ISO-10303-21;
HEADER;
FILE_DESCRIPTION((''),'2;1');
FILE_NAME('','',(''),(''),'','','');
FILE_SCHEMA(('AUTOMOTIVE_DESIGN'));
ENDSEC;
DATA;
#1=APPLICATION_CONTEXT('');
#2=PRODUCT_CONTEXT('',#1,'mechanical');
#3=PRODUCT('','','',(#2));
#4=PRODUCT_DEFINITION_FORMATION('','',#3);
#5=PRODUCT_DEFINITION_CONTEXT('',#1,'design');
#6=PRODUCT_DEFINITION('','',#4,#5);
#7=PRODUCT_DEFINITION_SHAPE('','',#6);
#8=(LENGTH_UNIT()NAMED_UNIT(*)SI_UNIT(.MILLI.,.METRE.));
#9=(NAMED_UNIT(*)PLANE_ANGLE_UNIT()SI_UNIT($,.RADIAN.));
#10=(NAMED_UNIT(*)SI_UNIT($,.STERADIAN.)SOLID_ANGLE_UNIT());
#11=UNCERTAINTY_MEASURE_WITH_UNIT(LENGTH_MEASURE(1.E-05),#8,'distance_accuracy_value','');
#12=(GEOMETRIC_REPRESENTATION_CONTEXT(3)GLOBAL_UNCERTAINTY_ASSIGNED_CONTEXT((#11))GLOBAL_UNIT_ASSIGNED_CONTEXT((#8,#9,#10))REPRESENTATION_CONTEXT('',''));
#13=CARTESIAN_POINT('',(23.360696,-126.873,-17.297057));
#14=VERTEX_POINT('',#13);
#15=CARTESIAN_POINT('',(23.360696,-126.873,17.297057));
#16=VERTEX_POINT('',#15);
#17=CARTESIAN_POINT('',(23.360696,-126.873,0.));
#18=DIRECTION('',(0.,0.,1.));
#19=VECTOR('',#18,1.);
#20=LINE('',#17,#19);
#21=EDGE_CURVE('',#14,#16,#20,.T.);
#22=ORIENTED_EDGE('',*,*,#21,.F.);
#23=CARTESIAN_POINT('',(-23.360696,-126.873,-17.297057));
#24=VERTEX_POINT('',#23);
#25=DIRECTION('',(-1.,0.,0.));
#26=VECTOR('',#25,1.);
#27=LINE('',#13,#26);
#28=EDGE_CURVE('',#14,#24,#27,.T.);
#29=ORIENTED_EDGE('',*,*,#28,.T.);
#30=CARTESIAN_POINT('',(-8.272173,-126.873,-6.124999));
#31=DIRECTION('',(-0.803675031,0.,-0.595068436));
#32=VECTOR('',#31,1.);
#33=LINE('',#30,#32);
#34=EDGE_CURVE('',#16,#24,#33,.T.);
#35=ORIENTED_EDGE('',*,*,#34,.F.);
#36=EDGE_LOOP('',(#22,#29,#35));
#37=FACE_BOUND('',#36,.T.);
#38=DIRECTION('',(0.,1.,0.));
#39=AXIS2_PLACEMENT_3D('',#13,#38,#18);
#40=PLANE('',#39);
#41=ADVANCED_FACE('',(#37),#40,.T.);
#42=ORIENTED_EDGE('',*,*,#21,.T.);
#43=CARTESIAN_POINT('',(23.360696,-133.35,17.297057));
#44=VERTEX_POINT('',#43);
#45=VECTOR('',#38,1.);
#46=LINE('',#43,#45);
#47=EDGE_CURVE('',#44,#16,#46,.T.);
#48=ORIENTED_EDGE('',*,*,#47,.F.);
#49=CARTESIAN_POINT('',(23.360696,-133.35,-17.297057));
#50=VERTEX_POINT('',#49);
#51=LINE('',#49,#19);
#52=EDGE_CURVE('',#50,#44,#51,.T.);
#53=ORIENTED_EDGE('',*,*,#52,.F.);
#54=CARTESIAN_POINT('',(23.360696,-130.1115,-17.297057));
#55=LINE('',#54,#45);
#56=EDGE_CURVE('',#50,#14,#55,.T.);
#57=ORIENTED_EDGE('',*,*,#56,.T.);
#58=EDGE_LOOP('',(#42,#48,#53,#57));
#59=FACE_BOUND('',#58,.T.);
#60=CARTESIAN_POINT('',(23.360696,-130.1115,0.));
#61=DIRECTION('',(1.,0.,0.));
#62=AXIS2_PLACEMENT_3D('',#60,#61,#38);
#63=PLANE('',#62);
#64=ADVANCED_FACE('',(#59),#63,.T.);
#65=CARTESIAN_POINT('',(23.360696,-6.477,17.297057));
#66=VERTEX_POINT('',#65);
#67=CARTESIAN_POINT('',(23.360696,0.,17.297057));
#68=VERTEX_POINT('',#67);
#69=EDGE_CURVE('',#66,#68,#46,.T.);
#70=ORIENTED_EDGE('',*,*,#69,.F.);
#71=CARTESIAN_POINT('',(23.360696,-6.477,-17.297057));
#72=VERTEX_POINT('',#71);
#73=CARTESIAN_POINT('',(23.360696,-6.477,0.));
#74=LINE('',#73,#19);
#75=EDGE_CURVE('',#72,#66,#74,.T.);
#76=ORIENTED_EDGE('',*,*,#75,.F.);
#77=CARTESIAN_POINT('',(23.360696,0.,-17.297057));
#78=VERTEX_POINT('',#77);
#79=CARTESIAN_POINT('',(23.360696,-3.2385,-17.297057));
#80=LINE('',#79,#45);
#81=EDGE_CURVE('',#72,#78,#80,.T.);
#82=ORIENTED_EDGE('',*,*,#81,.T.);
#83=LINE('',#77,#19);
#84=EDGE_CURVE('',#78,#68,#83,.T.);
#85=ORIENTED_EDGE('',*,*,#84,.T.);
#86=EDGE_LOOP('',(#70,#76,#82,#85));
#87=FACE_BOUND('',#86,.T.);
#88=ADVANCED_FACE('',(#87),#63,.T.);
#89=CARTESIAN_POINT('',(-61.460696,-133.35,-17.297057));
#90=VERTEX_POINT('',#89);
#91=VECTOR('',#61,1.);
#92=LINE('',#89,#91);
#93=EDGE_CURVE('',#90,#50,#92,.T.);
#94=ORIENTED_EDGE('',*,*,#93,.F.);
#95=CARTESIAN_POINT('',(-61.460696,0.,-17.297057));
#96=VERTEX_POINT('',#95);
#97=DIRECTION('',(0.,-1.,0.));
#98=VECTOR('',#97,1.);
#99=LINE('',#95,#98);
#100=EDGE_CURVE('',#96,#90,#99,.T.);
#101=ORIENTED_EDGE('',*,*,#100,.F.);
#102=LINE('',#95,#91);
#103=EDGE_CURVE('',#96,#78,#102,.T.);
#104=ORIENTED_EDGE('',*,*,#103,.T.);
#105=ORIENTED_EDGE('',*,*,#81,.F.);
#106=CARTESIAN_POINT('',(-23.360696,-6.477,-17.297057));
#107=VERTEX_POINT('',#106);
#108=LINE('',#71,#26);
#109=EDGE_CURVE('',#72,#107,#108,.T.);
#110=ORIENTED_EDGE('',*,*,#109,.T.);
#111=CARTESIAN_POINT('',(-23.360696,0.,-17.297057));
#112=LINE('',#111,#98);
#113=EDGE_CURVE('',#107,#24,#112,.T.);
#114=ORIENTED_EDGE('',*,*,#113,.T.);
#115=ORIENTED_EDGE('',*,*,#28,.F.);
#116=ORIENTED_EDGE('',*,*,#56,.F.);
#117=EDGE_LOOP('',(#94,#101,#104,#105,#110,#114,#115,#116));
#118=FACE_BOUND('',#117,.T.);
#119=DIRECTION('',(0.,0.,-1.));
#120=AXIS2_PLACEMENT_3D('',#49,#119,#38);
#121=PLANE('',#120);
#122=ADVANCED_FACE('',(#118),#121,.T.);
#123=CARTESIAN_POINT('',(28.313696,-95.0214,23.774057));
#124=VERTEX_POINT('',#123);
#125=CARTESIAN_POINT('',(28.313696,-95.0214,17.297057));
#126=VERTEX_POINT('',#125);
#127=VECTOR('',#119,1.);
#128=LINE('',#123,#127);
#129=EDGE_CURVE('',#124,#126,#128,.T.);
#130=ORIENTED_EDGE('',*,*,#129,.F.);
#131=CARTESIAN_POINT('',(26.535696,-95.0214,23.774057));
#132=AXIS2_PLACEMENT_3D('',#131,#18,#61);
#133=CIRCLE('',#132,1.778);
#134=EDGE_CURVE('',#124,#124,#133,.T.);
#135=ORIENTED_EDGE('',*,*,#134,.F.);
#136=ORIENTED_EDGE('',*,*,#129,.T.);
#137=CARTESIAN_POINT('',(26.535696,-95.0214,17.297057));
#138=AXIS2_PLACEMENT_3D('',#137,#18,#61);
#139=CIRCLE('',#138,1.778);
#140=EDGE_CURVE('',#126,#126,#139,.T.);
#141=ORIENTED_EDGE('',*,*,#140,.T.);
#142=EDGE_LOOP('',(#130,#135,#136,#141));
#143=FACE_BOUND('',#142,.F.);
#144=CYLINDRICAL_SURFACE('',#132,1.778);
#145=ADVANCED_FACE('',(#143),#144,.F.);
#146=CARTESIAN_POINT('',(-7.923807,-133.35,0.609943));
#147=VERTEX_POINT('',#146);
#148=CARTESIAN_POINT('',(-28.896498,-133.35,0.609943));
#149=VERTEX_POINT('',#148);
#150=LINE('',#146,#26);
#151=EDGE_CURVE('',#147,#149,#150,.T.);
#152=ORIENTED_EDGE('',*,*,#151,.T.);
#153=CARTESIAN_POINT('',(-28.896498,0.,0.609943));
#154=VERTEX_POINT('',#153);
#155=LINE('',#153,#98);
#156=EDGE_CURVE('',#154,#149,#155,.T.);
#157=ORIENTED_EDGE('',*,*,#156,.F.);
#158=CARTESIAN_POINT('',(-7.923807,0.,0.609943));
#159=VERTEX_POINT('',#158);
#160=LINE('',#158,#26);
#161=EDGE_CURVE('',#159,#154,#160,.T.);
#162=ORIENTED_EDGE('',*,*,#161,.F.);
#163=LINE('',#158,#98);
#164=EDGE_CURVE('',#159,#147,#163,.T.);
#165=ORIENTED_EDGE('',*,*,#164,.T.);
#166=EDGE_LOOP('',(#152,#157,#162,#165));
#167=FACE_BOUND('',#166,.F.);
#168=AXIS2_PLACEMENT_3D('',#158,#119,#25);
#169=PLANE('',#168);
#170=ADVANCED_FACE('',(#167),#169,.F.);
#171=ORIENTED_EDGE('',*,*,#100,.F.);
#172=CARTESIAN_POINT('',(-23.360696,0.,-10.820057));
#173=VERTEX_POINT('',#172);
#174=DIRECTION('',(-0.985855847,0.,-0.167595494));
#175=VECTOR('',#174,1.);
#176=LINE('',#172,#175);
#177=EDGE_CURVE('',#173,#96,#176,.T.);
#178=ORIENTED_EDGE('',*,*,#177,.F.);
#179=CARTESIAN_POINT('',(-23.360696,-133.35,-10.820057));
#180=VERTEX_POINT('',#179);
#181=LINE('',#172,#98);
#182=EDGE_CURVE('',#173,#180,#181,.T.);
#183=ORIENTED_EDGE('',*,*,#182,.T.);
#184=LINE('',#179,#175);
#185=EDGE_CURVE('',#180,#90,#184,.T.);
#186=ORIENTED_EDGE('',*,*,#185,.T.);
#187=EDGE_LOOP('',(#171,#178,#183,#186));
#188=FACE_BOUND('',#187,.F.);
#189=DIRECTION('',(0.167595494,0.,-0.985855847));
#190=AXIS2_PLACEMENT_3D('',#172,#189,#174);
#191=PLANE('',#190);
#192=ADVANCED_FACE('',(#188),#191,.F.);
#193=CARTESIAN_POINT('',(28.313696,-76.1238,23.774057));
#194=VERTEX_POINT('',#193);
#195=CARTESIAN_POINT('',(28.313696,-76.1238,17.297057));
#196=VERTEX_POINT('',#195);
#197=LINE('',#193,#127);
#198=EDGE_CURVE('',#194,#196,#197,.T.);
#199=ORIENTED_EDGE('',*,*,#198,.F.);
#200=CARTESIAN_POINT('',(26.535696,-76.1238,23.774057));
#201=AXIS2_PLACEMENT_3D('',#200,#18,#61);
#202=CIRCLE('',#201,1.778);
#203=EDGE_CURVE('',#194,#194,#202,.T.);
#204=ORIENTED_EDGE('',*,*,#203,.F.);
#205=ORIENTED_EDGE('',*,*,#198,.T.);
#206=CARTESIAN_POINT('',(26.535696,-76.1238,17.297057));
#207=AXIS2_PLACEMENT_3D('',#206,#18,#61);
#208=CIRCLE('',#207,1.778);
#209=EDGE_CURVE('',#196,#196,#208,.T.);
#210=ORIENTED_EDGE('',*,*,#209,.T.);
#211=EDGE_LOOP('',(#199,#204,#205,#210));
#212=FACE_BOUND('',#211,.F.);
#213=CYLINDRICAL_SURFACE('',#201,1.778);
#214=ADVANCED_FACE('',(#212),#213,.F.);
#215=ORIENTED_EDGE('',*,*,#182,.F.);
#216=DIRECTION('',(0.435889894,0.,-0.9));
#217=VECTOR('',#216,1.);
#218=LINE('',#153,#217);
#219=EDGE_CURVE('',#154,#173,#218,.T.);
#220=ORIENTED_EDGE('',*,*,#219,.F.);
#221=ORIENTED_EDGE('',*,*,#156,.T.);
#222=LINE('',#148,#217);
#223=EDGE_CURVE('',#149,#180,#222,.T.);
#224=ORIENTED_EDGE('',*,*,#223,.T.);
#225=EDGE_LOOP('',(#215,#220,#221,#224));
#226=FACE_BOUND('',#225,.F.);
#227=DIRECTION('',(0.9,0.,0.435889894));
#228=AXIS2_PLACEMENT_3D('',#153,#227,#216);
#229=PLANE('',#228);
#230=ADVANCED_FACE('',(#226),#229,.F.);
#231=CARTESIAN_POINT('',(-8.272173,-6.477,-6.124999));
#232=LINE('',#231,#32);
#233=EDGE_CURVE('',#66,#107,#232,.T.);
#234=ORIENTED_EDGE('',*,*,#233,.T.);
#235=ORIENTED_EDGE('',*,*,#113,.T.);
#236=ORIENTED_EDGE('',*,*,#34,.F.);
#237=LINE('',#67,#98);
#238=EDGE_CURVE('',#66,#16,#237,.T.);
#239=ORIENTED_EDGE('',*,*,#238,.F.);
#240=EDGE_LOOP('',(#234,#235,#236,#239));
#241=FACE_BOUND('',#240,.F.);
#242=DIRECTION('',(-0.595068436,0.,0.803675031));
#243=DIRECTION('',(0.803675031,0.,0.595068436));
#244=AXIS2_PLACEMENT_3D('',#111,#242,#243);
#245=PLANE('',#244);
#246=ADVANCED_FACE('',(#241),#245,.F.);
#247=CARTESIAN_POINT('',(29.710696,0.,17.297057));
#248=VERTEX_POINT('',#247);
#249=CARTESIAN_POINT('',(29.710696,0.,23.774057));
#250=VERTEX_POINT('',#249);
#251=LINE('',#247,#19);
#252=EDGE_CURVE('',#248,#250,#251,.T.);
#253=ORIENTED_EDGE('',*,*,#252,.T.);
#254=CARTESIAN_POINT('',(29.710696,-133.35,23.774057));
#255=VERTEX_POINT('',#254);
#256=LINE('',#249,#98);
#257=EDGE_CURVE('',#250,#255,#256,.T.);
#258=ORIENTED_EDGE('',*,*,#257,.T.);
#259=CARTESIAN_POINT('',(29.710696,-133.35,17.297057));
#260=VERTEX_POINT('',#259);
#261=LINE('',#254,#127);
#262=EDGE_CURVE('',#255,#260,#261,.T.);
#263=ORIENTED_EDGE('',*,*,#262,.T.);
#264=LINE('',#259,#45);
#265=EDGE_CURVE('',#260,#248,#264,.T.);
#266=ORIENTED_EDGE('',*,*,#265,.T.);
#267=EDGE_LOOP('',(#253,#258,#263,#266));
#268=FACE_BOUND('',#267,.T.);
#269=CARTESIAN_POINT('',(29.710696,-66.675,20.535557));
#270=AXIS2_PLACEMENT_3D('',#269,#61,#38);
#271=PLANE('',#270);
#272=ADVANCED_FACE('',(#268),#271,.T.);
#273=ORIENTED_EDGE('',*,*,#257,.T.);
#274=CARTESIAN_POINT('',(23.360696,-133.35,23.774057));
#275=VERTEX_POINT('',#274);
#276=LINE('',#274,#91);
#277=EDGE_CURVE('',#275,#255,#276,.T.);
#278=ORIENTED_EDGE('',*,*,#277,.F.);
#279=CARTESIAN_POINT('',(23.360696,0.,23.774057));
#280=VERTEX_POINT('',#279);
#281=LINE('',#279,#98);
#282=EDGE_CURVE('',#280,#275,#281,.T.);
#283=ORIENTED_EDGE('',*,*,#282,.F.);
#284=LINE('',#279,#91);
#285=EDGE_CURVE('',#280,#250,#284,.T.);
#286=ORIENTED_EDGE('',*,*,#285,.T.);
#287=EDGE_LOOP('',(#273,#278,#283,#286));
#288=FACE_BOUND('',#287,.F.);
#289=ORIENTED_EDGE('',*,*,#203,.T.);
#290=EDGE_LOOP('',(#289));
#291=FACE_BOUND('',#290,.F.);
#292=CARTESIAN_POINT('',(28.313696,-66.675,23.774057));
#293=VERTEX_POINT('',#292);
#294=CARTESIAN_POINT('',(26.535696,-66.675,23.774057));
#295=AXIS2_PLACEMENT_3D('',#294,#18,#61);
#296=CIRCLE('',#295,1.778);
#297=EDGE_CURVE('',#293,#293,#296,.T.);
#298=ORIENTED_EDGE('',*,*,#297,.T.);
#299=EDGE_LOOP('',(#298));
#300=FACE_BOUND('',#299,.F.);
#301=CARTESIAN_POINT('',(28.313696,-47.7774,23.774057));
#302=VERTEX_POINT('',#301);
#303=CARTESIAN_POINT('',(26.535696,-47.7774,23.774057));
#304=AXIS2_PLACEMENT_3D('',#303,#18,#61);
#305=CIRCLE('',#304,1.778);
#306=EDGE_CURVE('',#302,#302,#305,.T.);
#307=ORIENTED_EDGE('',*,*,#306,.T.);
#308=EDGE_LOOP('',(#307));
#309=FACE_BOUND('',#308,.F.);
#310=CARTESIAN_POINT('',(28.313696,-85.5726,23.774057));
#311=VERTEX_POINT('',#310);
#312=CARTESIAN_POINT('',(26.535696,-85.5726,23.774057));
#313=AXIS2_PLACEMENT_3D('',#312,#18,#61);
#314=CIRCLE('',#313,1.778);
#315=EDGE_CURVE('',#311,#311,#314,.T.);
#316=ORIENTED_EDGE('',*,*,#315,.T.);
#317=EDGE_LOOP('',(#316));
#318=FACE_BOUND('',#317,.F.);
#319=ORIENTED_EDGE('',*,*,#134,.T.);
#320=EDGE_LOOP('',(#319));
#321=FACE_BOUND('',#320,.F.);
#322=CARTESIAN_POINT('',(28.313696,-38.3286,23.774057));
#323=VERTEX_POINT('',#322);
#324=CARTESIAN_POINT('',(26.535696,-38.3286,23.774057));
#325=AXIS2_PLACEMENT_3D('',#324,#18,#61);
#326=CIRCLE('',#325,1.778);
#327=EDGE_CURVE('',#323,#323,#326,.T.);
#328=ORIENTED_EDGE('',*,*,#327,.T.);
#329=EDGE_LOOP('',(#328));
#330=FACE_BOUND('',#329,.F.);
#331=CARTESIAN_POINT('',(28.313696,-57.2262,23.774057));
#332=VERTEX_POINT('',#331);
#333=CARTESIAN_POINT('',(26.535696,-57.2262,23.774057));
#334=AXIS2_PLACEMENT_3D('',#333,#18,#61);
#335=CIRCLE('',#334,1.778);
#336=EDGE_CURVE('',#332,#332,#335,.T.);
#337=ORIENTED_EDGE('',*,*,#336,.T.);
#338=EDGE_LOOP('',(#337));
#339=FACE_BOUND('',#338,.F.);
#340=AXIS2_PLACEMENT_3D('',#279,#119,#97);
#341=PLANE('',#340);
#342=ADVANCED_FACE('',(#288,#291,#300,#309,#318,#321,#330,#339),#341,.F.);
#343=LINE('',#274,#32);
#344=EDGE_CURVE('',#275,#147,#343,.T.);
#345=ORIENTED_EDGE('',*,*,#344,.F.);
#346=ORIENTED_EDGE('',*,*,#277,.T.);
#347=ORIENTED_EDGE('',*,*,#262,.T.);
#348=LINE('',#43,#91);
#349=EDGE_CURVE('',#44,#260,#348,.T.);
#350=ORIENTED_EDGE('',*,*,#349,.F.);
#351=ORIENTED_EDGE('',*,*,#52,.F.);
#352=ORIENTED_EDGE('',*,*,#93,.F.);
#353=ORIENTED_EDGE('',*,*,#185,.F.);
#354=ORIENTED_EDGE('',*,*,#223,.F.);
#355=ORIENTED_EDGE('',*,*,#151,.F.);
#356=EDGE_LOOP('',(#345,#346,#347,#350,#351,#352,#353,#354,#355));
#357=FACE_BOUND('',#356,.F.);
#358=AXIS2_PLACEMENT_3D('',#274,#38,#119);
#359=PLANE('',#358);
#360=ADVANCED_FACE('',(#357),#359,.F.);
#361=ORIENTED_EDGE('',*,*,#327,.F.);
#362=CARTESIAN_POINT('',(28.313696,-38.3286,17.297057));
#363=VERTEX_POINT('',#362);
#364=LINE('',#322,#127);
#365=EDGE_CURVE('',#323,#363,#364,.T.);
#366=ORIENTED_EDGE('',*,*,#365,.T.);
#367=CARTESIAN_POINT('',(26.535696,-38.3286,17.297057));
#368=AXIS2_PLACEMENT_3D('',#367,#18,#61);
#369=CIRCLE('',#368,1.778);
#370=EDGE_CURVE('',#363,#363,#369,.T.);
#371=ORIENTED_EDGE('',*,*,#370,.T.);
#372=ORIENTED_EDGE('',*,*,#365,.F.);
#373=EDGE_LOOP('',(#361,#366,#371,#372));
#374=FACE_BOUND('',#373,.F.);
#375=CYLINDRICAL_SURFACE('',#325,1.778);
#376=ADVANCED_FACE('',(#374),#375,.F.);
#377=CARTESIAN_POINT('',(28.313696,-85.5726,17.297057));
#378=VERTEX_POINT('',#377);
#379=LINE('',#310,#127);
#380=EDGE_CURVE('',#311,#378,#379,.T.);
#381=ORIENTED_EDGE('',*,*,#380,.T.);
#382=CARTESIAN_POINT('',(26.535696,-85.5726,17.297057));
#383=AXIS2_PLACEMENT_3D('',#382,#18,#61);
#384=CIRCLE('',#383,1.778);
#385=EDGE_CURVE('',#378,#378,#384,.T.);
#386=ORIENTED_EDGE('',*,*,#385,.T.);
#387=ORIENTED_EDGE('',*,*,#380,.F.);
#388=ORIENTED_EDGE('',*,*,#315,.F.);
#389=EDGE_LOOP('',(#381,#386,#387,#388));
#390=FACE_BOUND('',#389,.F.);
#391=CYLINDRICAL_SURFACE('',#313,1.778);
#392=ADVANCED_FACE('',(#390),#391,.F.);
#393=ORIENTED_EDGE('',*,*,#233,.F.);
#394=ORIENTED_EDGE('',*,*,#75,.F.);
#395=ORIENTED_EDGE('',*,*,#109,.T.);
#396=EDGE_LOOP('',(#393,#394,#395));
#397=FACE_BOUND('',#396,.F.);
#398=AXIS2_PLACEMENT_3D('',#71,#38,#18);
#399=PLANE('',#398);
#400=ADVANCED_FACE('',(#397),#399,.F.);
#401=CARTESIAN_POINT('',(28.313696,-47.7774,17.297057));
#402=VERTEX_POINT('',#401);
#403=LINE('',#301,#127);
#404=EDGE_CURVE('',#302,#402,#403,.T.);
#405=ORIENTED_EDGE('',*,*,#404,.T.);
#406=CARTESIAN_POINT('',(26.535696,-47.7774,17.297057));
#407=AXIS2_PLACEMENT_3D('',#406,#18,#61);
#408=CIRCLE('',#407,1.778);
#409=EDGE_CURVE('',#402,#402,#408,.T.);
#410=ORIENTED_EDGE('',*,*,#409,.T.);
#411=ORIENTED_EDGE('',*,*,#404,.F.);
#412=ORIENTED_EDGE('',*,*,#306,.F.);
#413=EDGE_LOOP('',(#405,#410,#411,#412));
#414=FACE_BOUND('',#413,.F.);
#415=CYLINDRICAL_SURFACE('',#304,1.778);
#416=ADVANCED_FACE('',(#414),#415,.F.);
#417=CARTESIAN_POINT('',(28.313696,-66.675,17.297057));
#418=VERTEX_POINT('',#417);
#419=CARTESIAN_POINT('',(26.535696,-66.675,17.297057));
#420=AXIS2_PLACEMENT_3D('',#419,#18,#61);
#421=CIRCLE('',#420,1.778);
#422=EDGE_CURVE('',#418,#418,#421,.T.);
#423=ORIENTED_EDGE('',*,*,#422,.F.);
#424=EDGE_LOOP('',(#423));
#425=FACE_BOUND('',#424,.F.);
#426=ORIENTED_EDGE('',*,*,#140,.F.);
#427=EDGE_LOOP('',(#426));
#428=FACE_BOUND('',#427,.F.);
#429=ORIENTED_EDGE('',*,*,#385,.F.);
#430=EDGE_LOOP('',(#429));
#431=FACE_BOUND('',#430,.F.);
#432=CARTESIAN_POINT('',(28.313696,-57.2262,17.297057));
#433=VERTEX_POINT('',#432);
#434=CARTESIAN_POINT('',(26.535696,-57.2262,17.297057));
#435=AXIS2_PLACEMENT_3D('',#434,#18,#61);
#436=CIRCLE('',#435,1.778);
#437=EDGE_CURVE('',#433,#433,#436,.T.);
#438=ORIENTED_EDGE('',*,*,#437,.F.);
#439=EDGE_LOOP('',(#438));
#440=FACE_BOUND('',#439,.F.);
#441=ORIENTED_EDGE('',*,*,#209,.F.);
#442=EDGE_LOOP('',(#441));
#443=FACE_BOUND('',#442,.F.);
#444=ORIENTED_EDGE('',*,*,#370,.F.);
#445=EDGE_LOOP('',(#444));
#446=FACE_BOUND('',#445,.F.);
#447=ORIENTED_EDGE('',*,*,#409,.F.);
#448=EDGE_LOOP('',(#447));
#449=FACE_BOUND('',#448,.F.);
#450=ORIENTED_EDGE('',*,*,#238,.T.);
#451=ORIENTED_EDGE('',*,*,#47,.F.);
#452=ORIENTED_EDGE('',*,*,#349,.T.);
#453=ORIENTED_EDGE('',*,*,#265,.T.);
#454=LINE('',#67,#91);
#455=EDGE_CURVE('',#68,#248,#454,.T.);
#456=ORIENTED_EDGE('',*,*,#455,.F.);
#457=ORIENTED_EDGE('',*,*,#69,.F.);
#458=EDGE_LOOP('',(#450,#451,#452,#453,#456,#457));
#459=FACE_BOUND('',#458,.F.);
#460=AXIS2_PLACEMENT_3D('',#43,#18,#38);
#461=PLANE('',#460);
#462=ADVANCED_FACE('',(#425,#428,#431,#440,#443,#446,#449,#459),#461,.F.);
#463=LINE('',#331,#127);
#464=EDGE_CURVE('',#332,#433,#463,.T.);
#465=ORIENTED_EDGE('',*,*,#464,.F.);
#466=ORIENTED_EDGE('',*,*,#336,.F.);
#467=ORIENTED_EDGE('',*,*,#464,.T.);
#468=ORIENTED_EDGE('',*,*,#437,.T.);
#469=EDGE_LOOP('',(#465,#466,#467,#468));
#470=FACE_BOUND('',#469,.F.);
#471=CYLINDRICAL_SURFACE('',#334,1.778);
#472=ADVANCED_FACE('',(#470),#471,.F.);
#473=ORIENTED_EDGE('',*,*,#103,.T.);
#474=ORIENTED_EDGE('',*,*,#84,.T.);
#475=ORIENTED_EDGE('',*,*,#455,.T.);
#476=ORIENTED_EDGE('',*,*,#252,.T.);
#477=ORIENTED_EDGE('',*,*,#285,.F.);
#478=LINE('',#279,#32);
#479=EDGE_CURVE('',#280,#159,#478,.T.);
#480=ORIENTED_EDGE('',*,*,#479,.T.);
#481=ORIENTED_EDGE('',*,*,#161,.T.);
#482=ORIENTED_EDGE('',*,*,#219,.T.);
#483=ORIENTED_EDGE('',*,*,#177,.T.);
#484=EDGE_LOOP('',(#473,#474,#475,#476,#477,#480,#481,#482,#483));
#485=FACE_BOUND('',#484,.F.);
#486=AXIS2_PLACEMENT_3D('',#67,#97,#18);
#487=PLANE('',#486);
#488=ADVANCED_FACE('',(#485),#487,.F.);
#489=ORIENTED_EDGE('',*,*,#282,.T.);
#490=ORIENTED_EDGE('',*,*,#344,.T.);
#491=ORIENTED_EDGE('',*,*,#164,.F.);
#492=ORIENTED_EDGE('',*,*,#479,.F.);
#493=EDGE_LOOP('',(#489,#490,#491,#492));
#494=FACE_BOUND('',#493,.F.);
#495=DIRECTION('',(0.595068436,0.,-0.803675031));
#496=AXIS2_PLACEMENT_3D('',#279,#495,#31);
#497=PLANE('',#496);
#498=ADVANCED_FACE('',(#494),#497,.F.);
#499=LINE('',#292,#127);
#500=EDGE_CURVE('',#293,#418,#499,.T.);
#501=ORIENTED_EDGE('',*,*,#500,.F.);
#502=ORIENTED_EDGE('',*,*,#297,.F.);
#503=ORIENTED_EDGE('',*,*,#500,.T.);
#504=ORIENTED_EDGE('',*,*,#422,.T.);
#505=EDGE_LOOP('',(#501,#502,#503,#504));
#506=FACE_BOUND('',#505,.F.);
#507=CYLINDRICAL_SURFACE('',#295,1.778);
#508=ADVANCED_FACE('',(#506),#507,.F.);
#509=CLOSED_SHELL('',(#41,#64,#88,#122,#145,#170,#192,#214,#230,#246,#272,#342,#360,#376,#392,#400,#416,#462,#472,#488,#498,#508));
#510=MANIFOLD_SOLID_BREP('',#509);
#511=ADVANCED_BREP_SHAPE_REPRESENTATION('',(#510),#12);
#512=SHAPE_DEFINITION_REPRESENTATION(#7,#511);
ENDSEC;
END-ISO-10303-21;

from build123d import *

# Parameters (mm, degrees)
F1_DEPTH = 133.35
F2_W     = 6.477
F2_H     = 34.5941142
F5_DEPTH = 6.35
F6_R     = 1.778
F7_DEPTH = 25.4


with BuildPart() as f1:
    # F0 (on Front) → F1 (new body)
    with BuildSketch(Plane.XZ):
        Polygon((-23.3606961086, -17.2970571), (23.3606961086, 17.2970571), (23.3606961086, 23.7740571), (-7.9238067593, 0.6099429), (-23.3606961086, 0.6099429), (-28.8964977668, 0.6099429), (-23.3606961086, -10.8200571), (-61.4606961086, -17.2970571), align=None)
    extrude(amount=F1_DEPTH)

    # F2 (on face) → F3 (join, up to the next surface of F1)
    with BuildSketch(Plane.YZ.offset(23.3606961086)):
        with Locations((-130.1115, 0)):
            Rectangle(F2_W, F2_H)
        with Locations((-3.2385, 0)):
            Rectangle(F2_W, F2_H)
    extrude(until=Until.NEXT, dir=(-1, 0, 0))

    # F4 (on face) → F5 (join)
    with BuildSketch(Plane.YZ.offset(23.3606961086)):
        Polygon((0, 23.7740571), (-133.35, 23.7740571), (-133.35, 17.2970571), (-126.873, 17.2970571), (-6.477, 17.2970571), (0, 17.2970571), align=None)
    extrude(amount=F5_DEPTH)

    # F6 (on face) → F7 (cut)
    with BuildSketch(Plane.XY.offset(23.7740571)):
        with Locations((26.5356961086, -38.3286)):
            Circle(F6_R)
        with Locations((26.5356961086, -47.7774)):
            Circle(F6_R)
        with Locations((26.5356961086, -57.2262)):
            Circle(F6_R)
        with Locations((26.5356961086, -66.675)):
            Circle(F6_R)
        with Locations((26.5356961086, -76.1238)):
            Circle(F6_R)
        with Locations((26.5356961086, -85.5726)):
            Circle(F6_R)
        with Locations((26.5356961086, -95.0214)):
            Circle(F6_R)
    extrude(amount=-F7_DEPTH, mode=Mode.SUBTRACT)


solid = f1.part
